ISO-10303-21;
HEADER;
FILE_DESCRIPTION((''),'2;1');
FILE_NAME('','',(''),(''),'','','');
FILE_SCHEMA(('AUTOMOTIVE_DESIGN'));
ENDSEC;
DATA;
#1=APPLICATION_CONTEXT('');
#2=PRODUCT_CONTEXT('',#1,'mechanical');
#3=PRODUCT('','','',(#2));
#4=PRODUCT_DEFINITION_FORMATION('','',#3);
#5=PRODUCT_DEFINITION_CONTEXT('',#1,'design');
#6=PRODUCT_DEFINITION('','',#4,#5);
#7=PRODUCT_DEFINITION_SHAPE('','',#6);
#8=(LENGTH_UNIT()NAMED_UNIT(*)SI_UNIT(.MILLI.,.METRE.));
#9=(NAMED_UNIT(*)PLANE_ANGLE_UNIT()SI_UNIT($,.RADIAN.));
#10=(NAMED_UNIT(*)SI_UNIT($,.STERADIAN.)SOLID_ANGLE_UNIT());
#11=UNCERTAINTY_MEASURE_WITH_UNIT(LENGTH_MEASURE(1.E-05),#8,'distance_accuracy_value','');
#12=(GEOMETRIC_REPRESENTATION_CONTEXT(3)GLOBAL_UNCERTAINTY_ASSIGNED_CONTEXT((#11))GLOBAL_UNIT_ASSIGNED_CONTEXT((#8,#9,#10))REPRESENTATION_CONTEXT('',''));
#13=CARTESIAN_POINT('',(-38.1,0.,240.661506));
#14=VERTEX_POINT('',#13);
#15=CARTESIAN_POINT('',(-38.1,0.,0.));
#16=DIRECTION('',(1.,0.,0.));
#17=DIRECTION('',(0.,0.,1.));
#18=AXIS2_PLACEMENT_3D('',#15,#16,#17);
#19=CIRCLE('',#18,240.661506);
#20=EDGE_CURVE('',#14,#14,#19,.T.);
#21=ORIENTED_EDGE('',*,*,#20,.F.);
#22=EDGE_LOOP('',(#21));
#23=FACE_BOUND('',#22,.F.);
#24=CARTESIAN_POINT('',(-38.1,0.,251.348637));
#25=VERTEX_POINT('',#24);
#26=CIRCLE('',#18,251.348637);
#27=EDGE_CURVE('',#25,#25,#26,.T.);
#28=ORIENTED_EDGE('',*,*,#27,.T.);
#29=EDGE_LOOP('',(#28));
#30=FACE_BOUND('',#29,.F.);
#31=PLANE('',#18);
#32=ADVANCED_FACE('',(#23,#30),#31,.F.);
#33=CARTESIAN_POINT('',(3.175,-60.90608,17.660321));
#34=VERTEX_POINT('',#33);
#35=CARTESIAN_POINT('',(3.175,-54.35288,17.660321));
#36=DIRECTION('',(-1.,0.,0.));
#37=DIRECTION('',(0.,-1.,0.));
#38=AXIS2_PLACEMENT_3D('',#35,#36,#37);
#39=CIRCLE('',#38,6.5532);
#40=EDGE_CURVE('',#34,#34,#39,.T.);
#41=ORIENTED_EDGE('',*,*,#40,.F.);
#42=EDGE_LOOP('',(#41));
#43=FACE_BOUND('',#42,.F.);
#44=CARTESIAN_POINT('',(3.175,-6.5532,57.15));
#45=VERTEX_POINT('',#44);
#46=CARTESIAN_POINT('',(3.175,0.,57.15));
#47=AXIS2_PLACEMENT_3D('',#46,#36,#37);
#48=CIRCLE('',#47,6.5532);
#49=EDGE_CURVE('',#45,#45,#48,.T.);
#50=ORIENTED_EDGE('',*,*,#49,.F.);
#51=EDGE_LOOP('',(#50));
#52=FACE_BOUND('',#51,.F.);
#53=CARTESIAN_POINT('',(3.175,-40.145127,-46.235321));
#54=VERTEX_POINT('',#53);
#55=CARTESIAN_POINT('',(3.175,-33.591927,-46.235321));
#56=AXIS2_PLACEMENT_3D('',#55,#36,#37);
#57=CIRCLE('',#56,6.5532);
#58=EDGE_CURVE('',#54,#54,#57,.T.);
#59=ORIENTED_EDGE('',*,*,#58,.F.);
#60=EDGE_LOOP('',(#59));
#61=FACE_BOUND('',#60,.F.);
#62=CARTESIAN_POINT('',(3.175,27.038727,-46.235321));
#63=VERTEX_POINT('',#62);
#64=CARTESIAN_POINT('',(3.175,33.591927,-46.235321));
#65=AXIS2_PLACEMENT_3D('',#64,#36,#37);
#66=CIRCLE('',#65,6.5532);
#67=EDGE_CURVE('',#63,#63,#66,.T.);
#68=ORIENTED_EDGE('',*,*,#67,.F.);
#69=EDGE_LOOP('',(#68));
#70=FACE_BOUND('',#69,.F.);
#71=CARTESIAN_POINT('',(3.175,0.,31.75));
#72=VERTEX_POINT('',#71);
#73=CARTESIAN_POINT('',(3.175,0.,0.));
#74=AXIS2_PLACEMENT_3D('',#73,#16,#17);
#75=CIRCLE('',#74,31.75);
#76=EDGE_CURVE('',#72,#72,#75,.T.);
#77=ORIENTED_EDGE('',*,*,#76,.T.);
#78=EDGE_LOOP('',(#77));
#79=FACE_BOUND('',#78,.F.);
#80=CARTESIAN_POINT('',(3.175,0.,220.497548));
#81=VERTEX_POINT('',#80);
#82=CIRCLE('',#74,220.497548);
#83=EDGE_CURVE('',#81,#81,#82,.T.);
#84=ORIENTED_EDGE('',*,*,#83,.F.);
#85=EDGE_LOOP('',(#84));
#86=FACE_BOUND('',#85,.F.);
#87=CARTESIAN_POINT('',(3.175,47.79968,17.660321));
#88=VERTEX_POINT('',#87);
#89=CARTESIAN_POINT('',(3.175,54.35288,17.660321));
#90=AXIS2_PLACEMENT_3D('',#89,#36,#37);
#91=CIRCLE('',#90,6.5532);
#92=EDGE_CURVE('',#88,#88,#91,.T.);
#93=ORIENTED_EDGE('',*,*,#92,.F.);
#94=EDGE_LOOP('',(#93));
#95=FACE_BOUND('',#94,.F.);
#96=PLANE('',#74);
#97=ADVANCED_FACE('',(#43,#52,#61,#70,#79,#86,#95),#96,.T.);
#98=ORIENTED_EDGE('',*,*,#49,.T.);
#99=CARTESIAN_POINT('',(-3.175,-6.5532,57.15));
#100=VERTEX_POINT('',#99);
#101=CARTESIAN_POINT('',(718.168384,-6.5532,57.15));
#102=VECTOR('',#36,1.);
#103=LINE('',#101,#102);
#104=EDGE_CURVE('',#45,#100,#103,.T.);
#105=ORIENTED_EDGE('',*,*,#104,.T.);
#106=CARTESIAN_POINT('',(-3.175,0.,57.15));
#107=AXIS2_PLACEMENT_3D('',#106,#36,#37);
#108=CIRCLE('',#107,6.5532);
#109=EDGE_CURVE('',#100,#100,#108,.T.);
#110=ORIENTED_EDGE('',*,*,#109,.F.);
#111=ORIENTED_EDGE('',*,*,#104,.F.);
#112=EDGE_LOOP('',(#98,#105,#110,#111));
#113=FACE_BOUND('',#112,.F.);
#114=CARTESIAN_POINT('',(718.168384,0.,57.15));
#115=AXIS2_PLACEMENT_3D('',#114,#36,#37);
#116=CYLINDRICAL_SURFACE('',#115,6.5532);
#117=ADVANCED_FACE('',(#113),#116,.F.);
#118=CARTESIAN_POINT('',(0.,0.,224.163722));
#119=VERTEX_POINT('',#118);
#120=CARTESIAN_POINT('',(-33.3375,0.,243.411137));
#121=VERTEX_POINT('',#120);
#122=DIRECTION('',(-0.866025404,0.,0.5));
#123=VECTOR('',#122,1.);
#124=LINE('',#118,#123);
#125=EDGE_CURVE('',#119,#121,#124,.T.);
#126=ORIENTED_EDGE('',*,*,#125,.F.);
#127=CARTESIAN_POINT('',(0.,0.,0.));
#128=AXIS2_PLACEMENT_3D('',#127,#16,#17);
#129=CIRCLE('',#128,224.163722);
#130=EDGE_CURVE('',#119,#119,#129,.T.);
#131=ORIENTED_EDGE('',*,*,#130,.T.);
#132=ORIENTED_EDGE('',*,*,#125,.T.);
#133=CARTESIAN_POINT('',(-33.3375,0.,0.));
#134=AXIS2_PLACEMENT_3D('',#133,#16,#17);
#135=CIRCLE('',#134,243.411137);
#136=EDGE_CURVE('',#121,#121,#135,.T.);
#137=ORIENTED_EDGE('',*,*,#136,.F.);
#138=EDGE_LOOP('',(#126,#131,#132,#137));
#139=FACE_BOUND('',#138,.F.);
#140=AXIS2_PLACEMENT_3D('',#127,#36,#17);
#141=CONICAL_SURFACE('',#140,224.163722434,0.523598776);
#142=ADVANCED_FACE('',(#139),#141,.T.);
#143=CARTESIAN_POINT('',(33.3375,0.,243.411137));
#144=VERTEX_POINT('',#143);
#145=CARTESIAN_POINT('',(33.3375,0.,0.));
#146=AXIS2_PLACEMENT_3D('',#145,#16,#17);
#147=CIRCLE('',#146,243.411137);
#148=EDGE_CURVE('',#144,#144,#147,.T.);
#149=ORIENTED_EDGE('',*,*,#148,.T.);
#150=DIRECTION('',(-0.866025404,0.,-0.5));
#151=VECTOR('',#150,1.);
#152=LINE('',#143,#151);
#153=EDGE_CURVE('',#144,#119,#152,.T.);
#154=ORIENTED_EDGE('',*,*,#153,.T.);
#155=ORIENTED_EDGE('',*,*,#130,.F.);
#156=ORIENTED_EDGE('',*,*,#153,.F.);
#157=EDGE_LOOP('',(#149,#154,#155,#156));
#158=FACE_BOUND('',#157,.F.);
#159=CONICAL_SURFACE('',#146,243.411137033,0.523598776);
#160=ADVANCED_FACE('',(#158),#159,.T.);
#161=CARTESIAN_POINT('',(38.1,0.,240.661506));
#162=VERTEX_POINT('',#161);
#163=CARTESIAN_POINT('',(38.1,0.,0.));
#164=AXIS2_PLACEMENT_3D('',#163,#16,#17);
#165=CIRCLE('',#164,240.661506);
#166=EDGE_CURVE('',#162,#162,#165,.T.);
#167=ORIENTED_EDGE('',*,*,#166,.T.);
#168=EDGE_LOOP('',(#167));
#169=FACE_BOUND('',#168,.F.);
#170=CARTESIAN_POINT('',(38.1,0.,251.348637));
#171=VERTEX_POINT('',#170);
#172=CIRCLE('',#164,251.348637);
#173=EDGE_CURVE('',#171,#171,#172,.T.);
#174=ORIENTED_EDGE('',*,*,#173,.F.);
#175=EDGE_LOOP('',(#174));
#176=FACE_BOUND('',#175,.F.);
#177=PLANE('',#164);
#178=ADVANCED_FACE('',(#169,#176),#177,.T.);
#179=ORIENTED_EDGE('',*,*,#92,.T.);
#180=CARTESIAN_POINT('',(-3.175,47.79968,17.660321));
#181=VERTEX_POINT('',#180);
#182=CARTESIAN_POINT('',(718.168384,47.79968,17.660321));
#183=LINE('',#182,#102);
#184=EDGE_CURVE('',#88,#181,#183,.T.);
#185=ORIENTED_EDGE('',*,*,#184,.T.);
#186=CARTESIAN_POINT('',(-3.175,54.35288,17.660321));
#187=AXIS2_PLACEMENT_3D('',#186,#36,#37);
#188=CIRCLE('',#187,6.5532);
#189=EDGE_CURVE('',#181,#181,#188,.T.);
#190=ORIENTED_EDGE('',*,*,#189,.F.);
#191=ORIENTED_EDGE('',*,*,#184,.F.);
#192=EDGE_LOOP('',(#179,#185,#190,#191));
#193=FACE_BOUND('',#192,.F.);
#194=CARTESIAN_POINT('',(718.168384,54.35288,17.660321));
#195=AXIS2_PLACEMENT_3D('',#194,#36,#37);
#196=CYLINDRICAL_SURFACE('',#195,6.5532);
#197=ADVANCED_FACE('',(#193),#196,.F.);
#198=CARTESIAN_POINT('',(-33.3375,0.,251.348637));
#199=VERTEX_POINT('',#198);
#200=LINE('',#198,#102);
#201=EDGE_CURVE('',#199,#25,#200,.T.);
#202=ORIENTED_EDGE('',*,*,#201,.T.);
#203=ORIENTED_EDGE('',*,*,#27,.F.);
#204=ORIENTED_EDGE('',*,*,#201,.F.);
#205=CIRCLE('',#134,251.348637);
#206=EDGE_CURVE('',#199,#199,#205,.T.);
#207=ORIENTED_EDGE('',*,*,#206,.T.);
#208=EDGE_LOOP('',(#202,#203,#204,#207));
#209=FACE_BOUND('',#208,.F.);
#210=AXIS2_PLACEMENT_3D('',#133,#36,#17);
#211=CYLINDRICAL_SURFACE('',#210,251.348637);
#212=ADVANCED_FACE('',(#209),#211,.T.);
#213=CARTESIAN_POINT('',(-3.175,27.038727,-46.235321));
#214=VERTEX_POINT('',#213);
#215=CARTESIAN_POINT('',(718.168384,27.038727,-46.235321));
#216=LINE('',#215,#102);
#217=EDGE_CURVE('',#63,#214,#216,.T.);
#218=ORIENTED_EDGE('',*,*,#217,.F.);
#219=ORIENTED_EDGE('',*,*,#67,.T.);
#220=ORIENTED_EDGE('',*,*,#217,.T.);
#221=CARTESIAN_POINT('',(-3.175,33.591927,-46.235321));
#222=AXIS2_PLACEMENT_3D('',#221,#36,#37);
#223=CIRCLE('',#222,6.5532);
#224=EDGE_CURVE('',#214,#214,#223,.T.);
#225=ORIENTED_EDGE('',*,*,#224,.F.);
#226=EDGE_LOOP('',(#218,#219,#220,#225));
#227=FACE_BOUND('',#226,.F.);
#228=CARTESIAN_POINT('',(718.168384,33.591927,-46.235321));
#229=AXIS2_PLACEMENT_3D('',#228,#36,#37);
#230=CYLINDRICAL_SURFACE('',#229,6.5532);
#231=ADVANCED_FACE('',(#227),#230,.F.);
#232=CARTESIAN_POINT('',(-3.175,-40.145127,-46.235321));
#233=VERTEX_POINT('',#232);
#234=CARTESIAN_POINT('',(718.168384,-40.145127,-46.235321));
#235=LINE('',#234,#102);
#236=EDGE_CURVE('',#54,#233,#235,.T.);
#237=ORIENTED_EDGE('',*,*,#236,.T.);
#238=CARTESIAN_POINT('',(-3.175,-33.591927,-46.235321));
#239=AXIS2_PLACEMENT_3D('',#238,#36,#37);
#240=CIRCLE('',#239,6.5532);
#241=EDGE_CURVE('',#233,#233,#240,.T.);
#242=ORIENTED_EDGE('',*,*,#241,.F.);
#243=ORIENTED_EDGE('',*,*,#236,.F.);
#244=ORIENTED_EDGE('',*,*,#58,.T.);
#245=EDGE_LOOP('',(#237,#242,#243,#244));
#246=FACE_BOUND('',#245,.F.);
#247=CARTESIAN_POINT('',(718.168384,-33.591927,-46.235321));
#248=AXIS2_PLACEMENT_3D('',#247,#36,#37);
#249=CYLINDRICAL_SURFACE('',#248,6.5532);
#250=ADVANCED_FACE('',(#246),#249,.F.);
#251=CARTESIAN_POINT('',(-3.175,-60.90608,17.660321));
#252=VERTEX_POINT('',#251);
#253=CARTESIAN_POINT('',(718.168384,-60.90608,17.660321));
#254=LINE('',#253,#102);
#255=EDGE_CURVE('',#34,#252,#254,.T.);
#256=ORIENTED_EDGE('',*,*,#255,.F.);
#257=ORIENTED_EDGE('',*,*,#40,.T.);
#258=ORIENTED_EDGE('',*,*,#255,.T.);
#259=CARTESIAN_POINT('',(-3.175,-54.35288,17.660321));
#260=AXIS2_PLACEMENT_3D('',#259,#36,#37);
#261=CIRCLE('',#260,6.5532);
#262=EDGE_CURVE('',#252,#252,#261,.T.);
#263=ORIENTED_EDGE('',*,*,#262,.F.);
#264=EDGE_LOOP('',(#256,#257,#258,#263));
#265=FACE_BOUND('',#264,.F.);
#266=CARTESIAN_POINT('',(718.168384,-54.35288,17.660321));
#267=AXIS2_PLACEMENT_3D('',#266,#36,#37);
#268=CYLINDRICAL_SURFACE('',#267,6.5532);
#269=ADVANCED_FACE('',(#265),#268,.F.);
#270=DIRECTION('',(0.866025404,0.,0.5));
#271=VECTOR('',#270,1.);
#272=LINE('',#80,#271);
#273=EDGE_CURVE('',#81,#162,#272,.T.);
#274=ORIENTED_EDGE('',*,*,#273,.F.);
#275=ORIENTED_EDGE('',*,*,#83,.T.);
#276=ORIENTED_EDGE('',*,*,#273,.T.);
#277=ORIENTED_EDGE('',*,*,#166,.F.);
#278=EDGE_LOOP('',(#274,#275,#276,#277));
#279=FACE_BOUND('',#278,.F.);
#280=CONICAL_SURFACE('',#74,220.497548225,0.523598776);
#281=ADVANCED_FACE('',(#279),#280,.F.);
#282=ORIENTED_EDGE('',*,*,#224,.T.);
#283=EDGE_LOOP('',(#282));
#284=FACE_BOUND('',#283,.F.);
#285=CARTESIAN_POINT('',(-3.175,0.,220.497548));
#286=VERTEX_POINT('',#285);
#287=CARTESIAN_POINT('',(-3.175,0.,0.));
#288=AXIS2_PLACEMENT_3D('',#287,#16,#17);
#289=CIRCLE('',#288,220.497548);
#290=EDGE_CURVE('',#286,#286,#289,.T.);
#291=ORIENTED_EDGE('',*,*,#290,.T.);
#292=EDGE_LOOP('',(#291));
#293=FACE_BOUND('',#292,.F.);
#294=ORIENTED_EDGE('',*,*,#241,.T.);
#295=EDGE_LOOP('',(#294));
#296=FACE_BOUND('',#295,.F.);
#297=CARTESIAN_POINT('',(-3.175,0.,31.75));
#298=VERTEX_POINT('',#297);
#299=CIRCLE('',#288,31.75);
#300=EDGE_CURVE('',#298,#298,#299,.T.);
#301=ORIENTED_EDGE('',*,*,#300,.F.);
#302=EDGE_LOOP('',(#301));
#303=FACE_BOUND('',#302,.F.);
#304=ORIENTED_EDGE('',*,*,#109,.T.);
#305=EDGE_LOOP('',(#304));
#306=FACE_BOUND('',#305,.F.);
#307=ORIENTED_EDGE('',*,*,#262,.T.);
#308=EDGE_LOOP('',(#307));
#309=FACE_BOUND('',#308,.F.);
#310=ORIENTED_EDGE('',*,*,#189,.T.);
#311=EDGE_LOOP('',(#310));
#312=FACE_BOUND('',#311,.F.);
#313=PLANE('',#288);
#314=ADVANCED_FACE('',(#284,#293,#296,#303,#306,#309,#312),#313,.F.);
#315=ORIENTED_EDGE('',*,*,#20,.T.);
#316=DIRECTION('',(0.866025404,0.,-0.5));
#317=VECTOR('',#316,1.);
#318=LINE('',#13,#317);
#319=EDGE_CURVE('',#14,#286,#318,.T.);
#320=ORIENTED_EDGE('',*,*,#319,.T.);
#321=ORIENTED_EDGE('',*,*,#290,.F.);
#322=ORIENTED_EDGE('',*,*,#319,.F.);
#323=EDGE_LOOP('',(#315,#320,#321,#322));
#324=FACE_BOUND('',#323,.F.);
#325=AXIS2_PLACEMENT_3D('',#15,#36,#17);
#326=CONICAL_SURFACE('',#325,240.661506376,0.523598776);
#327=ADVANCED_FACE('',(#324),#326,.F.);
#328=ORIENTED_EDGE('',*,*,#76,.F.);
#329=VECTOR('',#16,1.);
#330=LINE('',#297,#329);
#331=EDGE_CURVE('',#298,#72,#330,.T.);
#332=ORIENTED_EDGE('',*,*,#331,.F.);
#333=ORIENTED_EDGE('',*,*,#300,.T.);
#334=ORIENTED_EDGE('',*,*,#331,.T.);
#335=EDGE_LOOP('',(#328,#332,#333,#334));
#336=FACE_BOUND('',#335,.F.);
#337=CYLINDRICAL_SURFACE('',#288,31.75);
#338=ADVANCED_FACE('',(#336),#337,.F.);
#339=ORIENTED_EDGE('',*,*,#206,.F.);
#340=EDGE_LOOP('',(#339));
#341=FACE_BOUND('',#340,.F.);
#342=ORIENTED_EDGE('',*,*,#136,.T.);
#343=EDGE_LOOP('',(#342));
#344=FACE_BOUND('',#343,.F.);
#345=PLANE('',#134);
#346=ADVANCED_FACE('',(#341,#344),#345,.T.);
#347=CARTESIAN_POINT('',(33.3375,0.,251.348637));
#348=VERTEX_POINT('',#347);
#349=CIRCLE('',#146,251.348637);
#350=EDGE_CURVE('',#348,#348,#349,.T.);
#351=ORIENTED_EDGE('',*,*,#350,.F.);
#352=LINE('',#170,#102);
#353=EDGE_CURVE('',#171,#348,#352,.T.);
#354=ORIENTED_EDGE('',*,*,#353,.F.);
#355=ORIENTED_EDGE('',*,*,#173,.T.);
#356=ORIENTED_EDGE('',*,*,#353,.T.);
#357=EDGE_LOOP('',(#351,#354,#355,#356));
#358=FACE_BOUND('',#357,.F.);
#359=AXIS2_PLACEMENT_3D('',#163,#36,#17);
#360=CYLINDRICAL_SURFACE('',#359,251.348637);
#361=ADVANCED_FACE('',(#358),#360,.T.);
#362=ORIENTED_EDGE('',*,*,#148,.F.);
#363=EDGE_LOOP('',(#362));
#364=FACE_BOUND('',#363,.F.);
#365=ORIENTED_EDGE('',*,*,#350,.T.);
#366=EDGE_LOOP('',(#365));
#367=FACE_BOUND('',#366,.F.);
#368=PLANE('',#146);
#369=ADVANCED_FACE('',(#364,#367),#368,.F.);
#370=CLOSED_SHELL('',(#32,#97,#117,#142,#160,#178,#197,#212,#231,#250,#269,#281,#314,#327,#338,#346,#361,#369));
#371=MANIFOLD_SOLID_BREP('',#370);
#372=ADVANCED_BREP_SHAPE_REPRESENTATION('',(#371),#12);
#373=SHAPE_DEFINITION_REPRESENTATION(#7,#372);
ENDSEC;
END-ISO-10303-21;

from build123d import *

# Parameters (mm, degrees)
F3_D = 13.1064


with BuildPart() as f1:
    # F0 (on Front) → F1 (revolve)
    with BuildSketch(Plane.XZ):
        Polygon((-3.175, 220.4975482247), (-3.175, 31.75), (3.175, 31.75), (3.175, 220.4975482247), (38.1, 240.6615063761), (38.1, 251.3486370331), (33.3375, 251.3486370331), (33.3375, 243.4111370331), (0, 224.163722434), (-33.3375, 243.4111370331), (-33.3375, 251.3486370331), (-38.1, 251.3486370331), (-38.1, 240.6615063761), align=None)
    revolve(axis=Axis((42.5242893398, 0, 0), (1, 0, 0)))

    # F3 (through all)
    with Locations(Plane.YZ.offset(3.175)):
        with Locations((0, 57.15), (54.3528799063, 17.6603212285), (33.5919271685, -46.2353212285), (-33.5919271685, -46.2353212285), (-54.3528799063, 17.6603212285)):
            Hole(F3_D / 2)


solid = f1.part
